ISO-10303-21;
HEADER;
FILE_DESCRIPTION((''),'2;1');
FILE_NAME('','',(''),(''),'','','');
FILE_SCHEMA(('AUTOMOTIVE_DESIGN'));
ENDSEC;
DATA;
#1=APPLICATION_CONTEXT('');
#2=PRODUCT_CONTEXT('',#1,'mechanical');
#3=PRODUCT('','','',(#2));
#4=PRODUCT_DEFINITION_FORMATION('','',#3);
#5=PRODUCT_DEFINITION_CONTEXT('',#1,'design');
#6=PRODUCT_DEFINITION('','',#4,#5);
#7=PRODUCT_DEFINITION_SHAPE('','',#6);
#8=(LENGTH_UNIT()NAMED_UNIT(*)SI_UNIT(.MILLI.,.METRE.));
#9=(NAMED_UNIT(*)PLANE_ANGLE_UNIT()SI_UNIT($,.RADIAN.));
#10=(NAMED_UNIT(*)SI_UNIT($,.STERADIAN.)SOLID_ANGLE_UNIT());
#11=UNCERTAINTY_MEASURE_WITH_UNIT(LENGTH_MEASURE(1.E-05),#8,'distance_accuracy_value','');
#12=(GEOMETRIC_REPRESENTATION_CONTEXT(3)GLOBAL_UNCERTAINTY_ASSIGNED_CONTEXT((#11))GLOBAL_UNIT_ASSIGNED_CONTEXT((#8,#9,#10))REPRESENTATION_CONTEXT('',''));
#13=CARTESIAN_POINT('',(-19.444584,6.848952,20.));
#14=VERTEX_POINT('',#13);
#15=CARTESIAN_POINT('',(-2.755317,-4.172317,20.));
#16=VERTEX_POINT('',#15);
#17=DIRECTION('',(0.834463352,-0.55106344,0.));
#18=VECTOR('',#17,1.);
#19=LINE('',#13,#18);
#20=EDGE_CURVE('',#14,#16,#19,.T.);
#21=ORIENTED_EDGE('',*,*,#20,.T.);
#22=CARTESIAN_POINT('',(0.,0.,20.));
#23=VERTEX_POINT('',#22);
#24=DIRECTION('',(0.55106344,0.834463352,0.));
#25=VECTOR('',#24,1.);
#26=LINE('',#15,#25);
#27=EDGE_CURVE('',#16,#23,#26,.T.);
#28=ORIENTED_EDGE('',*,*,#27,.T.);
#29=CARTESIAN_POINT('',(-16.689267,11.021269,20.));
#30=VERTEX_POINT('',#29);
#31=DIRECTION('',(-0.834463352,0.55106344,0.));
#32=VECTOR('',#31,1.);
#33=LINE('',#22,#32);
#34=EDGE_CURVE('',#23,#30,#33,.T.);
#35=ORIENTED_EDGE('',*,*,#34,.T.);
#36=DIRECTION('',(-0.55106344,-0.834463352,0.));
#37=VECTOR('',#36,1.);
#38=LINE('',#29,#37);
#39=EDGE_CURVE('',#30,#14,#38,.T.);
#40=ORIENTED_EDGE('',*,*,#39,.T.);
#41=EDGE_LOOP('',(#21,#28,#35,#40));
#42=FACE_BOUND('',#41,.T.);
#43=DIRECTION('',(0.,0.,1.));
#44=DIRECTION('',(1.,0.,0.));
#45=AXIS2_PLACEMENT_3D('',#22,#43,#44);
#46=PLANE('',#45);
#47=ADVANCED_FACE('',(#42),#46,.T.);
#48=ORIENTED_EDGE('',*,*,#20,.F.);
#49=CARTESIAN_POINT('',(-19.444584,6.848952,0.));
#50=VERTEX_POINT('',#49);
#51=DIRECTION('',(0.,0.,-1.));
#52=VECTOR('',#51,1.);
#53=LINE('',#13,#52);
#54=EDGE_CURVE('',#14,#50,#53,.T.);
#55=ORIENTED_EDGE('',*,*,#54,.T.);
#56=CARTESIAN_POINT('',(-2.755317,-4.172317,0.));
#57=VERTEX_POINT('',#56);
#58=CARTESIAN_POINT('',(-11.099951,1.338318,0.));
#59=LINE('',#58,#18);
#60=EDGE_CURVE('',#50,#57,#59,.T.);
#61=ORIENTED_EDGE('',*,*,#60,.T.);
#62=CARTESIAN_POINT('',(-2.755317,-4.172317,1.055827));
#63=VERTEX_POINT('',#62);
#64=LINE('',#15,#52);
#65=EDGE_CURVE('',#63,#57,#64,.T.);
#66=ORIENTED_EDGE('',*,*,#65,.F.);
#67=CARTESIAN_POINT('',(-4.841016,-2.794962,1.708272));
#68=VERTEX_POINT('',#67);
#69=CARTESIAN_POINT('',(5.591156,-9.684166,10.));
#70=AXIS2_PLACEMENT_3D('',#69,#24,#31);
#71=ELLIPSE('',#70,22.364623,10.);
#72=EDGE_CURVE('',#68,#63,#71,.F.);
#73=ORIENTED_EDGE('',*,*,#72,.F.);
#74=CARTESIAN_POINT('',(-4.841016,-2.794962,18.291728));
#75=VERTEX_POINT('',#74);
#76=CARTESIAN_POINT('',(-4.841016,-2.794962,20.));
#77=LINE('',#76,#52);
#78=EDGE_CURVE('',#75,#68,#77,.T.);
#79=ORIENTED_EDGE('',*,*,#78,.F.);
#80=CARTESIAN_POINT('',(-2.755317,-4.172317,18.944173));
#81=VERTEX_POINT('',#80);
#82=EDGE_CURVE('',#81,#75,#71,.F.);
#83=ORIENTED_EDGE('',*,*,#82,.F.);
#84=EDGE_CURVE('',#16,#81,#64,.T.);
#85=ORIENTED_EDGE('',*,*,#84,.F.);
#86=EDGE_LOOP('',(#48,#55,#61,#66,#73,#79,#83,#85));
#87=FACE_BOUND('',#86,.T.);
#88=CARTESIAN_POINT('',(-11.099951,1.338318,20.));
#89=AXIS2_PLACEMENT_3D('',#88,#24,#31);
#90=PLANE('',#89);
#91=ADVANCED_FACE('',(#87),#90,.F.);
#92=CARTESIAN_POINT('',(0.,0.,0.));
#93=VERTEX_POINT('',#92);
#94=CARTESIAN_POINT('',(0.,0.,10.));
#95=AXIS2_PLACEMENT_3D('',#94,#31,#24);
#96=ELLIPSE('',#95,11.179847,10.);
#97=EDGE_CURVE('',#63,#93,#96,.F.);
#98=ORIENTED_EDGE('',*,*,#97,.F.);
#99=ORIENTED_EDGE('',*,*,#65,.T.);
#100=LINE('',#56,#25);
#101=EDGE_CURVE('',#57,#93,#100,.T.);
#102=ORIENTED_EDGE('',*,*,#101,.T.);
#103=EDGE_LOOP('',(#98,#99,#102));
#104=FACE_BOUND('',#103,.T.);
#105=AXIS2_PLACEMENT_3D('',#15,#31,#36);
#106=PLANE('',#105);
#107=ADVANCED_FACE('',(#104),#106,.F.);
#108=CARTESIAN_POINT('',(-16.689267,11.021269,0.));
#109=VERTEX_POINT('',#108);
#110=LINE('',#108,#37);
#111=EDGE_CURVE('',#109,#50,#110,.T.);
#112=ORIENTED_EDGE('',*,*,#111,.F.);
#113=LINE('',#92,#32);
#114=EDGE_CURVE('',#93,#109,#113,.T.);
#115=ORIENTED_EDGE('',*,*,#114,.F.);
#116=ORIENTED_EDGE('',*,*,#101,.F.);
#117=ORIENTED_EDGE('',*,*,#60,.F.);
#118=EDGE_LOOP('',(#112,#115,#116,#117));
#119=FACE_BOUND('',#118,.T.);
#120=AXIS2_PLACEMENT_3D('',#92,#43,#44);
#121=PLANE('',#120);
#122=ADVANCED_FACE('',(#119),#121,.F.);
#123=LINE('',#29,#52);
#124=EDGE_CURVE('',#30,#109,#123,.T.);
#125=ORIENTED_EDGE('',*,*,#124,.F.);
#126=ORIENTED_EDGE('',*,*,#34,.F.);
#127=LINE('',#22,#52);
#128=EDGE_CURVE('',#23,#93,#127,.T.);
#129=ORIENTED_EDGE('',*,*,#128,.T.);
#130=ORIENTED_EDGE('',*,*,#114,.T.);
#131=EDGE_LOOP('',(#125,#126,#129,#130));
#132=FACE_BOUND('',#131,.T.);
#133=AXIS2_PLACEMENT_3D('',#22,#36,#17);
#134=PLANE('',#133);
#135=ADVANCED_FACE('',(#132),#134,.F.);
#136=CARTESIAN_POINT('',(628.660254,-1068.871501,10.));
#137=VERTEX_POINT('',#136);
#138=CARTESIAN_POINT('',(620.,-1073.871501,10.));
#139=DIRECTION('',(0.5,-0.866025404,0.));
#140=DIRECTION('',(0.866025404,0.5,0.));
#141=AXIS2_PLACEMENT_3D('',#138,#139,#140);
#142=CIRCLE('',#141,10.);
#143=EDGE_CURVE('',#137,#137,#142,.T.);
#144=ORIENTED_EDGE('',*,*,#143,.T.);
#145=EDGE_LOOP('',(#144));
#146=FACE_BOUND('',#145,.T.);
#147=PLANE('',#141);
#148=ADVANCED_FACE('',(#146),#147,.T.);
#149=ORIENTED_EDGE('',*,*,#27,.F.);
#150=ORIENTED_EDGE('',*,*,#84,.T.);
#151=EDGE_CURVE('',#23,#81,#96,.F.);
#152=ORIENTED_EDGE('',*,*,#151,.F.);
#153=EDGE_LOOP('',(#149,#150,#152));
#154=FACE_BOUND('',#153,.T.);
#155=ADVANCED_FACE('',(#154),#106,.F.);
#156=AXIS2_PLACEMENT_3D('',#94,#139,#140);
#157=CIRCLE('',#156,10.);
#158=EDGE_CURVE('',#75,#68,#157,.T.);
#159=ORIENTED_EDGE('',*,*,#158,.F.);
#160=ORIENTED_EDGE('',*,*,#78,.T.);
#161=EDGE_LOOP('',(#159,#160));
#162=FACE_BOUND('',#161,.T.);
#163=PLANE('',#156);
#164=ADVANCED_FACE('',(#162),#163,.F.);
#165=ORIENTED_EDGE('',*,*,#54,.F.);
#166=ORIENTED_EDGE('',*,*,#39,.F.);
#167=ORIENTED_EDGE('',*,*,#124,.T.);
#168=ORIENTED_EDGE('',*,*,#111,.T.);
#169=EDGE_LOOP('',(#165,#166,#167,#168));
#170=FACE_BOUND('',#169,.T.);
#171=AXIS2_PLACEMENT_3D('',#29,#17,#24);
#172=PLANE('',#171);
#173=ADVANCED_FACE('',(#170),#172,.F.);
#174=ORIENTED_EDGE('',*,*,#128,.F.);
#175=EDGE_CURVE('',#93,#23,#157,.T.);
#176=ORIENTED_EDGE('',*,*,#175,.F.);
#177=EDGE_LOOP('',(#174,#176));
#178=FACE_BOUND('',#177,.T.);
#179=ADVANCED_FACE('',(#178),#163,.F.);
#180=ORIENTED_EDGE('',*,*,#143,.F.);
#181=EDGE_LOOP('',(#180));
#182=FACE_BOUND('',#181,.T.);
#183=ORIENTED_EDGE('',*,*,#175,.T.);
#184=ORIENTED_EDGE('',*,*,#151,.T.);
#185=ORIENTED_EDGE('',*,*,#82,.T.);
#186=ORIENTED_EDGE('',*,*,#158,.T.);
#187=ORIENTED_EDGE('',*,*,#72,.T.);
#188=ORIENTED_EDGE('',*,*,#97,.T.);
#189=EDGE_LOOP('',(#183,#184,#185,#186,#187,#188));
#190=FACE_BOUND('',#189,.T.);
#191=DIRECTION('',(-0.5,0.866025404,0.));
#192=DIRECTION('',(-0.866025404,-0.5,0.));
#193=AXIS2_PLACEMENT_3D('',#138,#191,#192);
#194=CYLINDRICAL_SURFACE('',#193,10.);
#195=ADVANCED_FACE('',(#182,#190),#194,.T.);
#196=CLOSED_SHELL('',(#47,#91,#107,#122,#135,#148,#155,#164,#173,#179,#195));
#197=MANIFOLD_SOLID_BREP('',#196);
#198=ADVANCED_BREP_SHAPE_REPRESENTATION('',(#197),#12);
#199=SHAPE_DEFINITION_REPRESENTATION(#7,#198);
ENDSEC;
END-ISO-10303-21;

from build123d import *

# Parameters (mm, degrees)
BOSS_EXTRUDE1_DEPTH = 20
SKETCH3_R           = 10
BOSS_EXTRUDE2_DEPTH = 1240


with BuildPart() as part:
    # Sketch1 → Boss-Extrude1 (new body)
    with BuildSketch(Plane.XY):
        Polygon((0, 0), (-16.689267036, 11.021268793), (-19.444584234, 6.848952034), (-11.099950716, 1.338317638), (-2.755317198, -4.172316759), align=None)
    extrude(amount=BOSS_EXTRUDE1_DEPTH)

    # Sketch3 → Boss-Extrude2 (add)
    with BuildSketch(Plane(origin=(0, 0, 0), x_dir=(-0.8660254037844396, -0.4999999999999985, 0), z_dir=(0.4999999999999985, -0.8660254037844396, 0))):
        with Locations((0, -10)):
            Circle(SKETCH3_R)
    extrude(amount=BOSS_EXTRUDE2_DEPTH)


solid = part.part
